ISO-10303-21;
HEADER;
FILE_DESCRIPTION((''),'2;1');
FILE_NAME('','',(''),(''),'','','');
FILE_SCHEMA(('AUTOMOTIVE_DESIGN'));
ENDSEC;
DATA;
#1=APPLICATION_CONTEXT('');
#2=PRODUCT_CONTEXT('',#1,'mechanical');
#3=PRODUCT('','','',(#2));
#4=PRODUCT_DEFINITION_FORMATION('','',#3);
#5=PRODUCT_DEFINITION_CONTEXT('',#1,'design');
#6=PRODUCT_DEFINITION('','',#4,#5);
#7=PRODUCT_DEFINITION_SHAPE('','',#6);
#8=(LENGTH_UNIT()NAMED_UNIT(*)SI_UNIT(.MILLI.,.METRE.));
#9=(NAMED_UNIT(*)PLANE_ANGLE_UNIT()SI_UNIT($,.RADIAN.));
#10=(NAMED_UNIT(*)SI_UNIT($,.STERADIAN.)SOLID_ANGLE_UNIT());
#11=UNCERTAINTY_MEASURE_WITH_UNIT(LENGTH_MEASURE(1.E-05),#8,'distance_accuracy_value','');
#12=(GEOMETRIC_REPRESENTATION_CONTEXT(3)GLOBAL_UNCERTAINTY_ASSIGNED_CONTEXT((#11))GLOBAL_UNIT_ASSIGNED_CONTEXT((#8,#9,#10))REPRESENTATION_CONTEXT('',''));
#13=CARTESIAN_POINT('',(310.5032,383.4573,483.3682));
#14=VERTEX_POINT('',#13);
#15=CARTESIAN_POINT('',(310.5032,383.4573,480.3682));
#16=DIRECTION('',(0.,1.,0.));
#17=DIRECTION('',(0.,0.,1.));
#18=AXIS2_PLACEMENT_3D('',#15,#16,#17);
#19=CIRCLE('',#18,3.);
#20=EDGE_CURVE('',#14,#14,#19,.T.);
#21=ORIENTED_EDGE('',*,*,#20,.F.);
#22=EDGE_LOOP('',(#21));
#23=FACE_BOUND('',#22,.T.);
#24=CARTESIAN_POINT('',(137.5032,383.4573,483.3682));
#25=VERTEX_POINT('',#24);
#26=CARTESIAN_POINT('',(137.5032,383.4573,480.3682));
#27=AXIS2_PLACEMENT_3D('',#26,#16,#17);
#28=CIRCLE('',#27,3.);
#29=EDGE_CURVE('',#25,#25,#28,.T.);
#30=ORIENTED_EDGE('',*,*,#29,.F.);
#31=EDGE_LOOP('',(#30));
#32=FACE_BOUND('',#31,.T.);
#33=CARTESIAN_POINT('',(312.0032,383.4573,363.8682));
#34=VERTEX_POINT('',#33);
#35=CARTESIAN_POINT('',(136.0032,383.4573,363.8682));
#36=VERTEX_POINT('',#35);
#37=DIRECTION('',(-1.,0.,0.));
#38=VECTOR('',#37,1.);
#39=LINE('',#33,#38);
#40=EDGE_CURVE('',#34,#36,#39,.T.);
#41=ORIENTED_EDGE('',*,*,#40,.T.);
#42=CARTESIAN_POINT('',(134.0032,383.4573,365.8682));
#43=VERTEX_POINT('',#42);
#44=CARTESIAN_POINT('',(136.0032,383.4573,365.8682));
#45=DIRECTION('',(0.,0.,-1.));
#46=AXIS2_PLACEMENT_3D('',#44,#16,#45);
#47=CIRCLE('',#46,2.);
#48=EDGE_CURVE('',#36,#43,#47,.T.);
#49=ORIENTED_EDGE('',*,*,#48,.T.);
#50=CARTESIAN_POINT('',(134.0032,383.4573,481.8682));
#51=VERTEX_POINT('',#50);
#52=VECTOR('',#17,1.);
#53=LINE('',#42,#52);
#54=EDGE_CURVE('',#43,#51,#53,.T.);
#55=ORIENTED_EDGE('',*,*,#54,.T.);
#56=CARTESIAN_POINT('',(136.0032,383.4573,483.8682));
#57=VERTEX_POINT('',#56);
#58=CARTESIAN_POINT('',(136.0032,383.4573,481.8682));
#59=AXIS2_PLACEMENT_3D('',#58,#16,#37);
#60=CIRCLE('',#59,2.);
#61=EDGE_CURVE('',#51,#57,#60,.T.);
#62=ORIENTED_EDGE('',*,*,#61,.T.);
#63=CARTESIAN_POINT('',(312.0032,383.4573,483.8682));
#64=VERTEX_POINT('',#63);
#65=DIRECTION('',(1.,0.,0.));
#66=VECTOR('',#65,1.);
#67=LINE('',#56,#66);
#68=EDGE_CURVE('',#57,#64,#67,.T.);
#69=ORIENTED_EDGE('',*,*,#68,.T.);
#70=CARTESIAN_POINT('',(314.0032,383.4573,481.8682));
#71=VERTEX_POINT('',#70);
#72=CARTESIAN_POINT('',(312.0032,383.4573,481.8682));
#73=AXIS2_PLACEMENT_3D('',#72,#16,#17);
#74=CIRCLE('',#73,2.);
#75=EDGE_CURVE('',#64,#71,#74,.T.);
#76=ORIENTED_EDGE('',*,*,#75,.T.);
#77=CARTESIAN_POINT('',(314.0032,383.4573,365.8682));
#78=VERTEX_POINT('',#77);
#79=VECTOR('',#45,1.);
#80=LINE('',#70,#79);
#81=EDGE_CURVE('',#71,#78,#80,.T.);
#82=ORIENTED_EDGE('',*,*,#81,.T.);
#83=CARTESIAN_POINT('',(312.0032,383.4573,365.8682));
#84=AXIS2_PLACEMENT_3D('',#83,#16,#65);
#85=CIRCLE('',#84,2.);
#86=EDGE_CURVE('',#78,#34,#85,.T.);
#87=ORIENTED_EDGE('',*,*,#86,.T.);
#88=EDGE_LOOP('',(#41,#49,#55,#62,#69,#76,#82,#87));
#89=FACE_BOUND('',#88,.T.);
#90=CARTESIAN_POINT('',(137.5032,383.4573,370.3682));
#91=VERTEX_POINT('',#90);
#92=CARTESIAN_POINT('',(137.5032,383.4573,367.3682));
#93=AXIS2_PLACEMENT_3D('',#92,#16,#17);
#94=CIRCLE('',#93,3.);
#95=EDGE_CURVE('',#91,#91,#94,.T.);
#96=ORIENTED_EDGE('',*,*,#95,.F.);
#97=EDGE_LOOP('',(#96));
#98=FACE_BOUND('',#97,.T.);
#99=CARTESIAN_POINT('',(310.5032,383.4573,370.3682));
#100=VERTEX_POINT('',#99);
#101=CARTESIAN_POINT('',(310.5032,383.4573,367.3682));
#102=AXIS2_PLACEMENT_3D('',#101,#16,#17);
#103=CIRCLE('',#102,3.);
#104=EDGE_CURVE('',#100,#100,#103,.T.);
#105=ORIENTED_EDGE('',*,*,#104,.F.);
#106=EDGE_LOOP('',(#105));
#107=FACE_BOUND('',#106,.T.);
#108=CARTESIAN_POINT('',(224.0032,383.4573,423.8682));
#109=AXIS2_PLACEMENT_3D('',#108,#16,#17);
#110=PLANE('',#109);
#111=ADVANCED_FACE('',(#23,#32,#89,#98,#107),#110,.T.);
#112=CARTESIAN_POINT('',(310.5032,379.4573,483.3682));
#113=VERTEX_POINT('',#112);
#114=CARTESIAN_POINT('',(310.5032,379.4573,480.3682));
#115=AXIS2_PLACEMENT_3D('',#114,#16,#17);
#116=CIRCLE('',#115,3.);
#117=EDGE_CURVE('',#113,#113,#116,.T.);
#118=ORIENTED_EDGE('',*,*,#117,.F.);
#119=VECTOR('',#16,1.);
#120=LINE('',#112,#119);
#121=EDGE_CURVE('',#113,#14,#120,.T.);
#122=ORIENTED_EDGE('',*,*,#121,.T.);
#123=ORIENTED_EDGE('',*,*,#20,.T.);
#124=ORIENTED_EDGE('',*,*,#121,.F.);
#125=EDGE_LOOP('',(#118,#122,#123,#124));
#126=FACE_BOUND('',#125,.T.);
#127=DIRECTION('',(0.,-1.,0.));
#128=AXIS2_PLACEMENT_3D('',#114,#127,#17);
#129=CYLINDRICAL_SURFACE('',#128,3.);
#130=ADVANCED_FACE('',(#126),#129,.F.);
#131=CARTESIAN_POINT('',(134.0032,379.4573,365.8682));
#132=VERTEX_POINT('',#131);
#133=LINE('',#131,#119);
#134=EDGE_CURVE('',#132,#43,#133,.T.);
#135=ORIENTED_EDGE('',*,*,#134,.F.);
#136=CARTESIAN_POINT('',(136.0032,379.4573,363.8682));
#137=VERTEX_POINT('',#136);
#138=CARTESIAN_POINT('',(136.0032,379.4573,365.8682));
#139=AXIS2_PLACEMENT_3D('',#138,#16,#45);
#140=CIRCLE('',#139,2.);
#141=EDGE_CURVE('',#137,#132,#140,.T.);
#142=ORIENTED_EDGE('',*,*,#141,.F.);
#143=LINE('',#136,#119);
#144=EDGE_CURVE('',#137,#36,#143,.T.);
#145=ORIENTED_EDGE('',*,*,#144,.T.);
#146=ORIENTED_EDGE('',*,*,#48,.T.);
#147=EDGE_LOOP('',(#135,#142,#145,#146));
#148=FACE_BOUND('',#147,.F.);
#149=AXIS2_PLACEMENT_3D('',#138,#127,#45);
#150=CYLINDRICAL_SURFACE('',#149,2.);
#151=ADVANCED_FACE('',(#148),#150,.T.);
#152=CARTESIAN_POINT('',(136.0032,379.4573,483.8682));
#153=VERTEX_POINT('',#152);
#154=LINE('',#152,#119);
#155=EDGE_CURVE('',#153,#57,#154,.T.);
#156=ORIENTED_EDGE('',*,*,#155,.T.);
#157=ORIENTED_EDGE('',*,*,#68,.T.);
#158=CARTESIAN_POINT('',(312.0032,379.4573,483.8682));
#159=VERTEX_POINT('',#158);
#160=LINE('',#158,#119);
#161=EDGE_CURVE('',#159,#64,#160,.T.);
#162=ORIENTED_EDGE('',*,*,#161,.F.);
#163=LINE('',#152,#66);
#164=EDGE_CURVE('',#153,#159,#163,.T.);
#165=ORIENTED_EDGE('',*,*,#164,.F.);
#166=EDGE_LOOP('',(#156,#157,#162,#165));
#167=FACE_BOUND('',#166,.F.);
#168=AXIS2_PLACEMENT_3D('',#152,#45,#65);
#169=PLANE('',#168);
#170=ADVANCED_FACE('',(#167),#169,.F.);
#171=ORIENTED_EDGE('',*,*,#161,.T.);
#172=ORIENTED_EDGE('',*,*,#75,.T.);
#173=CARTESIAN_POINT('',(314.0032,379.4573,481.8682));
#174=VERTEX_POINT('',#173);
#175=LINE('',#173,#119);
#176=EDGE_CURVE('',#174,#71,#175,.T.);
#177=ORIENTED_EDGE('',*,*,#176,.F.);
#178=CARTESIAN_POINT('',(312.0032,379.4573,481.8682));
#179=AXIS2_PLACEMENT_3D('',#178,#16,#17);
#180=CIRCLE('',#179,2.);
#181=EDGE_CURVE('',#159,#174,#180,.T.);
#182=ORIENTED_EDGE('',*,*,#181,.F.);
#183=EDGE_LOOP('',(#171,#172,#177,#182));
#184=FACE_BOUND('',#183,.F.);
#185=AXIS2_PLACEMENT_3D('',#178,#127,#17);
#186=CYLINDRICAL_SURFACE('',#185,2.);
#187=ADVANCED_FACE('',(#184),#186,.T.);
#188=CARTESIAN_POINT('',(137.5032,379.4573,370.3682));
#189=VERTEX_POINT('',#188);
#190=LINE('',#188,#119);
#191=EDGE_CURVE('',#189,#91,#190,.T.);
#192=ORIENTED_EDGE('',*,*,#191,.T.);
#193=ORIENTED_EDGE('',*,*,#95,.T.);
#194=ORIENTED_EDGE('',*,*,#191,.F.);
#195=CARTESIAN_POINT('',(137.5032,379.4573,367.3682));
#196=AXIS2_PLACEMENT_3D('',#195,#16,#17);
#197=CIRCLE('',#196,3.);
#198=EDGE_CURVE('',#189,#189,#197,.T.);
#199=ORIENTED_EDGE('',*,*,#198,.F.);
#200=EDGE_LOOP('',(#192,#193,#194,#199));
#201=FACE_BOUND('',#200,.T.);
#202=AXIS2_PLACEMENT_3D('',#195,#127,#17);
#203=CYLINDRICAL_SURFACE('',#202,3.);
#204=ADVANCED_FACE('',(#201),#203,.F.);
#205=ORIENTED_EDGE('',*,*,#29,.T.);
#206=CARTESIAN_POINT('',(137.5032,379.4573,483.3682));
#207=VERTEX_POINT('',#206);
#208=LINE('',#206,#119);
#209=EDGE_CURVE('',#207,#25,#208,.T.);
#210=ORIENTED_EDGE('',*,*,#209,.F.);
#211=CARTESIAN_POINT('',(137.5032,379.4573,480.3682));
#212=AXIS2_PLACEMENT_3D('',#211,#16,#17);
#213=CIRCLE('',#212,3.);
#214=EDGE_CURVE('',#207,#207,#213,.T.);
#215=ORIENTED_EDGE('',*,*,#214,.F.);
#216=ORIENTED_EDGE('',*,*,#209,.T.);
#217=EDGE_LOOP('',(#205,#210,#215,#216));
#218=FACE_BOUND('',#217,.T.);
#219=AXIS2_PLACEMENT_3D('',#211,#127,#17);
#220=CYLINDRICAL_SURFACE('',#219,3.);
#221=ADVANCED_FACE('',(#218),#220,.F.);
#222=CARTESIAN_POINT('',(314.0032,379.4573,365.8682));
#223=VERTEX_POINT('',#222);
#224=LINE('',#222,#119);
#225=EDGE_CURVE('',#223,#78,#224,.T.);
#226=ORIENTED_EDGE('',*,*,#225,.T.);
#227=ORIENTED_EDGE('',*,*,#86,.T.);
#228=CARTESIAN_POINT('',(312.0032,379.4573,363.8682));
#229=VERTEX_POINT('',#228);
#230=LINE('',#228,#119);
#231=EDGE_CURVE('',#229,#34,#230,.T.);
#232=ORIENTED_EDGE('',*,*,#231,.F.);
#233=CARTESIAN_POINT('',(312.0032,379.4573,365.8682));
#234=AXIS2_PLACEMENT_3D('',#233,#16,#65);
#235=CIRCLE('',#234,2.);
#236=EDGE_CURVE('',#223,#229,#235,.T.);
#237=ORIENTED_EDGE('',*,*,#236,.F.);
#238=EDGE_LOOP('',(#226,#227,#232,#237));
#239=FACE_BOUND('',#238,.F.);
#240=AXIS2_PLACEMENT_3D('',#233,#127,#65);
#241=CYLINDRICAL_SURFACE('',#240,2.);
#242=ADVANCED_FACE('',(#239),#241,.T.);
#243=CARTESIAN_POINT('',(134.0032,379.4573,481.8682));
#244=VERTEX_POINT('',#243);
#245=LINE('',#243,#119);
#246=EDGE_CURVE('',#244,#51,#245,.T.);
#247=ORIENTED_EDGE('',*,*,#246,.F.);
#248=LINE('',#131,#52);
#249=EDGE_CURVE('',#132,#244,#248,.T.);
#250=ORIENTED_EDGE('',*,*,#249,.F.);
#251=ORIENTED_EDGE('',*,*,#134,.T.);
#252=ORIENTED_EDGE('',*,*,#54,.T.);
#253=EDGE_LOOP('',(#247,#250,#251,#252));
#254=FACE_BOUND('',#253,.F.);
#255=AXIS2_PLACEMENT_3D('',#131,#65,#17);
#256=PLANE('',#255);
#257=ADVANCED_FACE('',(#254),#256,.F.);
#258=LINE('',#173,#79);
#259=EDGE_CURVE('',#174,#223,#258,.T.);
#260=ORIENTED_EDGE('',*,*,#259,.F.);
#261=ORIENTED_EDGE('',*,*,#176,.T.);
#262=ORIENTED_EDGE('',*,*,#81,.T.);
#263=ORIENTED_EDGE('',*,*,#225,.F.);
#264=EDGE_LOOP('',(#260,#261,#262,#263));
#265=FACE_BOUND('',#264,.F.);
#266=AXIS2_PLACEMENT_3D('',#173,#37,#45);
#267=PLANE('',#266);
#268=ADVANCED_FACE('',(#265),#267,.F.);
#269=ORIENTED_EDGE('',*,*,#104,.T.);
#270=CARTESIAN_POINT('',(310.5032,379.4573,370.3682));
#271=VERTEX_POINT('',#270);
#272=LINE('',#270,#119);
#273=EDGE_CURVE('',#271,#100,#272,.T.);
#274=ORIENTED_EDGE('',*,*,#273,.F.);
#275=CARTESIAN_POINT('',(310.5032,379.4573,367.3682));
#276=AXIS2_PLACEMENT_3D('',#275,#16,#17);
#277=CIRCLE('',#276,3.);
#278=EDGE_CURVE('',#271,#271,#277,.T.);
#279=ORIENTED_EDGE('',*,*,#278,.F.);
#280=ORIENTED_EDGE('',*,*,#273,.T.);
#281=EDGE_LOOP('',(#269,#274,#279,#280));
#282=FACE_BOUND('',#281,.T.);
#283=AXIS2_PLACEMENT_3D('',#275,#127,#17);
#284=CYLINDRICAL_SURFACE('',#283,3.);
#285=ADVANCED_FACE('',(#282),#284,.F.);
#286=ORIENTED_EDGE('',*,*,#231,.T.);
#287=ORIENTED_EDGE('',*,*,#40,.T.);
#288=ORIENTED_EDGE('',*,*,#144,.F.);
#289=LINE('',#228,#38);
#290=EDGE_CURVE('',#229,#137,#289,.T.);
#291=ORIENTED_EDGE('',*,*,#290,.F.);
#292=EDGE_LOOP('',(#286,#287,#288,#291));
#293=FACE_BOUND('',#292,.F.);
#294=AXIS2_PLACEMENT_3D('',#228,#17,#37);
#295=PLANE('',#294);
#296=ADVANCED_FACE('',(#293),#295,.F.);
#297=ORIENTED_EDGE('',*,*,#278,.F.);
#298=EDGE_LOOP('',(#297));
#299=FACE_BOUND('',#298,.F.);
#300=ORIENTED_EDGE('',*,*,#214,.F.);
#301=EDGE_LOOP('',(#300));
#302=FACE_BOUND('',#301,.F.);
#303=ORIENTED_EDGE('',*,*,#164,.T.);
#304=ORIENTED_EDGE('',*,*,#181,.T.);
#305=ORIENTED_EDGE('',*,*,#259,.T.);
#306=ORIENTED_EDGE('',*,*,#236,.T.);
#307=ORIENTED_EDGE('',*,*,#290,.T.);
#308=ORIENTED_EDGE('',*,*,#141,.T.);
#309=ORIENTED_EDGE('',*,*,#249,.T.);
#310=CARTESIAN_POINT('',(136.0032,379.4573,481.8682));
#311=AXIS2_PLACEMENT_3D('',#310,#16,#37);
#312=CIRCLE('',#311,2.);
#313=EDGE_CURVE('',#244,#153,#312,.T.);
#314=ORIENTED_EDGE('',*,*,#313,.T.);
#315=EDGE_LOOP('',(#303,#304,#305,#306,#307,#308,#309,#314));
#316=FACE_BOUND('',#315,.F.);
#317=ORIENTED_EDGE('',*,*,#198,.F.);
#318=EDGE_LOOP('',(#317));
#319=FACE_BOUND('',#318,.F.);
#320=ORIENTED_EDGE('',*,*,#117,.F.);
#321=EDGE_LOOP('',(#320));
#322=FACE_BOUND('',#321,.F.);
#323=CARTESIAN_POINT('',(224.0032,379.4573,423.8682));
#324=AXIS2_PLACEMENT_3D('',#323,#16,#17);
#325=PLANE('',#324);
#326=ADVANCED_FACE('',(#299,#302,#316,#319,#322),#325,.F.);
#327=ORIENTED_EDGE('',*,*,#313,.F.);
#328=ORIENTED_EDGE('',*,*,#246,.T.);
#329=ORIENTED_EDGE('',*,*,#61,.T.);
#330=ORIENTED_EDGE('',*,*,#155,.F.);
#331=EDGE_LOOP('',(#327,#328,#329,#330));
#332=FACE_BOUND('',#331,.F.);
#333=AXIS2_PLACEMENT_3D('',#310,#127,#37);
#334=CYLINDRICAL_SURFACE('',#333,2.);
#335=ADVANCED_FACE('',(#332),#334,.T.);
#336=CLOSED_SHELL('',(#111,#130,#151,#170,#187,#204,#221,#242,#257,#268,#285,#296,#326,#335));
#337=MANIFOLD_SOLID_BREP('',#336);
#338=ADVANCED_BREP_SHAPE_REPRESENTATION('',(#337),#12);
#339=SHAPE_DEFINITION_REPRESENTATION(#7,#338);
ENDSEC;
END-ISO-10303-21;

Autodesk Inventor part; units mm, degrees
ref_plane "YZ Plane" through (0, 0, 0) normal (1, 0, 0) x (0, 1, 0)
ref_plane "XZ Plane" through (0, 0, 0) normal (0, 1, 0) x (-1, 0, 0)
ref_plane "XY Plane" through (0, 0, 0) normal (0, 0, 1) x (1, 0, 0)
ref_plane "Work Plane1" through (224.0032, 379.4573, 423.8682) normal (0, 1, 0) x (0, 0, 1)
sketch "Sketch1" plane through (224.0032, 379.4573, 423.8682) normal (0, 1, 0) x (0, 0, 1)
  circle A0 centre (56.5, 86.5) radius 3 projected
  circle A1 centre (-56.5, -86.5) radius 3 projected
  arc A2 (-60, -88) -> (-58, -90) centre (-58, -88) ccw projected
  line L0 (-58, -90) -> (58, -90) projected
  arc A3 (58, -90) -> (60, -88) centre (58, -88) ccw projected
  line L1 (60, -88) -> (60, 88) projected
  arc A4 (60, 88) -> (58, 90) centre (58, 88) ccw projected
  line L2 (58, 90) -> (-58, 90) projected
  arc A5 (-58, 90) -> (-60, 88) centre (-58, 88) ccw projected
  line L3 (-60, 88) -> (-60, -88) projected
  line L4 (54, 82) -> (54, -82) projected
  arc A6 (52, -84) -> (54, -82) centre (52, -82) ccw projected
  line L5 (52, -84) -> (-52, -84) projected
  arc A7 (-54, -82) -> (-52, -84) centre (-52, -82) ccw projected
  line L6 (-54, -82) -> (-54, 82) projected
  arc A8 (-52, 84) -> (-54, 82) centre (-52, 82) ccw projected
  line L7 (-52, 84) -> (52, 84) projected
  arc A9 (54, 82) -> (52, 84) centre (52, 82) ccw projected
  circle A10 centre (-56.5, 86.5) radius 3 projected
  circle A11 centre (56.5, -86.5) radius 3 projected
  point P0 (-423.8682, -224.0032)
extrude "Extrusion1" add sketch "Sketch1" along normal blind 4 contours L3 A5 L2 A4 L1 A3 L0 A2 | L4 A6 L5 A7 L6 A8 L7 A9
properties part number "OCTOPUS_BOX_LID"
